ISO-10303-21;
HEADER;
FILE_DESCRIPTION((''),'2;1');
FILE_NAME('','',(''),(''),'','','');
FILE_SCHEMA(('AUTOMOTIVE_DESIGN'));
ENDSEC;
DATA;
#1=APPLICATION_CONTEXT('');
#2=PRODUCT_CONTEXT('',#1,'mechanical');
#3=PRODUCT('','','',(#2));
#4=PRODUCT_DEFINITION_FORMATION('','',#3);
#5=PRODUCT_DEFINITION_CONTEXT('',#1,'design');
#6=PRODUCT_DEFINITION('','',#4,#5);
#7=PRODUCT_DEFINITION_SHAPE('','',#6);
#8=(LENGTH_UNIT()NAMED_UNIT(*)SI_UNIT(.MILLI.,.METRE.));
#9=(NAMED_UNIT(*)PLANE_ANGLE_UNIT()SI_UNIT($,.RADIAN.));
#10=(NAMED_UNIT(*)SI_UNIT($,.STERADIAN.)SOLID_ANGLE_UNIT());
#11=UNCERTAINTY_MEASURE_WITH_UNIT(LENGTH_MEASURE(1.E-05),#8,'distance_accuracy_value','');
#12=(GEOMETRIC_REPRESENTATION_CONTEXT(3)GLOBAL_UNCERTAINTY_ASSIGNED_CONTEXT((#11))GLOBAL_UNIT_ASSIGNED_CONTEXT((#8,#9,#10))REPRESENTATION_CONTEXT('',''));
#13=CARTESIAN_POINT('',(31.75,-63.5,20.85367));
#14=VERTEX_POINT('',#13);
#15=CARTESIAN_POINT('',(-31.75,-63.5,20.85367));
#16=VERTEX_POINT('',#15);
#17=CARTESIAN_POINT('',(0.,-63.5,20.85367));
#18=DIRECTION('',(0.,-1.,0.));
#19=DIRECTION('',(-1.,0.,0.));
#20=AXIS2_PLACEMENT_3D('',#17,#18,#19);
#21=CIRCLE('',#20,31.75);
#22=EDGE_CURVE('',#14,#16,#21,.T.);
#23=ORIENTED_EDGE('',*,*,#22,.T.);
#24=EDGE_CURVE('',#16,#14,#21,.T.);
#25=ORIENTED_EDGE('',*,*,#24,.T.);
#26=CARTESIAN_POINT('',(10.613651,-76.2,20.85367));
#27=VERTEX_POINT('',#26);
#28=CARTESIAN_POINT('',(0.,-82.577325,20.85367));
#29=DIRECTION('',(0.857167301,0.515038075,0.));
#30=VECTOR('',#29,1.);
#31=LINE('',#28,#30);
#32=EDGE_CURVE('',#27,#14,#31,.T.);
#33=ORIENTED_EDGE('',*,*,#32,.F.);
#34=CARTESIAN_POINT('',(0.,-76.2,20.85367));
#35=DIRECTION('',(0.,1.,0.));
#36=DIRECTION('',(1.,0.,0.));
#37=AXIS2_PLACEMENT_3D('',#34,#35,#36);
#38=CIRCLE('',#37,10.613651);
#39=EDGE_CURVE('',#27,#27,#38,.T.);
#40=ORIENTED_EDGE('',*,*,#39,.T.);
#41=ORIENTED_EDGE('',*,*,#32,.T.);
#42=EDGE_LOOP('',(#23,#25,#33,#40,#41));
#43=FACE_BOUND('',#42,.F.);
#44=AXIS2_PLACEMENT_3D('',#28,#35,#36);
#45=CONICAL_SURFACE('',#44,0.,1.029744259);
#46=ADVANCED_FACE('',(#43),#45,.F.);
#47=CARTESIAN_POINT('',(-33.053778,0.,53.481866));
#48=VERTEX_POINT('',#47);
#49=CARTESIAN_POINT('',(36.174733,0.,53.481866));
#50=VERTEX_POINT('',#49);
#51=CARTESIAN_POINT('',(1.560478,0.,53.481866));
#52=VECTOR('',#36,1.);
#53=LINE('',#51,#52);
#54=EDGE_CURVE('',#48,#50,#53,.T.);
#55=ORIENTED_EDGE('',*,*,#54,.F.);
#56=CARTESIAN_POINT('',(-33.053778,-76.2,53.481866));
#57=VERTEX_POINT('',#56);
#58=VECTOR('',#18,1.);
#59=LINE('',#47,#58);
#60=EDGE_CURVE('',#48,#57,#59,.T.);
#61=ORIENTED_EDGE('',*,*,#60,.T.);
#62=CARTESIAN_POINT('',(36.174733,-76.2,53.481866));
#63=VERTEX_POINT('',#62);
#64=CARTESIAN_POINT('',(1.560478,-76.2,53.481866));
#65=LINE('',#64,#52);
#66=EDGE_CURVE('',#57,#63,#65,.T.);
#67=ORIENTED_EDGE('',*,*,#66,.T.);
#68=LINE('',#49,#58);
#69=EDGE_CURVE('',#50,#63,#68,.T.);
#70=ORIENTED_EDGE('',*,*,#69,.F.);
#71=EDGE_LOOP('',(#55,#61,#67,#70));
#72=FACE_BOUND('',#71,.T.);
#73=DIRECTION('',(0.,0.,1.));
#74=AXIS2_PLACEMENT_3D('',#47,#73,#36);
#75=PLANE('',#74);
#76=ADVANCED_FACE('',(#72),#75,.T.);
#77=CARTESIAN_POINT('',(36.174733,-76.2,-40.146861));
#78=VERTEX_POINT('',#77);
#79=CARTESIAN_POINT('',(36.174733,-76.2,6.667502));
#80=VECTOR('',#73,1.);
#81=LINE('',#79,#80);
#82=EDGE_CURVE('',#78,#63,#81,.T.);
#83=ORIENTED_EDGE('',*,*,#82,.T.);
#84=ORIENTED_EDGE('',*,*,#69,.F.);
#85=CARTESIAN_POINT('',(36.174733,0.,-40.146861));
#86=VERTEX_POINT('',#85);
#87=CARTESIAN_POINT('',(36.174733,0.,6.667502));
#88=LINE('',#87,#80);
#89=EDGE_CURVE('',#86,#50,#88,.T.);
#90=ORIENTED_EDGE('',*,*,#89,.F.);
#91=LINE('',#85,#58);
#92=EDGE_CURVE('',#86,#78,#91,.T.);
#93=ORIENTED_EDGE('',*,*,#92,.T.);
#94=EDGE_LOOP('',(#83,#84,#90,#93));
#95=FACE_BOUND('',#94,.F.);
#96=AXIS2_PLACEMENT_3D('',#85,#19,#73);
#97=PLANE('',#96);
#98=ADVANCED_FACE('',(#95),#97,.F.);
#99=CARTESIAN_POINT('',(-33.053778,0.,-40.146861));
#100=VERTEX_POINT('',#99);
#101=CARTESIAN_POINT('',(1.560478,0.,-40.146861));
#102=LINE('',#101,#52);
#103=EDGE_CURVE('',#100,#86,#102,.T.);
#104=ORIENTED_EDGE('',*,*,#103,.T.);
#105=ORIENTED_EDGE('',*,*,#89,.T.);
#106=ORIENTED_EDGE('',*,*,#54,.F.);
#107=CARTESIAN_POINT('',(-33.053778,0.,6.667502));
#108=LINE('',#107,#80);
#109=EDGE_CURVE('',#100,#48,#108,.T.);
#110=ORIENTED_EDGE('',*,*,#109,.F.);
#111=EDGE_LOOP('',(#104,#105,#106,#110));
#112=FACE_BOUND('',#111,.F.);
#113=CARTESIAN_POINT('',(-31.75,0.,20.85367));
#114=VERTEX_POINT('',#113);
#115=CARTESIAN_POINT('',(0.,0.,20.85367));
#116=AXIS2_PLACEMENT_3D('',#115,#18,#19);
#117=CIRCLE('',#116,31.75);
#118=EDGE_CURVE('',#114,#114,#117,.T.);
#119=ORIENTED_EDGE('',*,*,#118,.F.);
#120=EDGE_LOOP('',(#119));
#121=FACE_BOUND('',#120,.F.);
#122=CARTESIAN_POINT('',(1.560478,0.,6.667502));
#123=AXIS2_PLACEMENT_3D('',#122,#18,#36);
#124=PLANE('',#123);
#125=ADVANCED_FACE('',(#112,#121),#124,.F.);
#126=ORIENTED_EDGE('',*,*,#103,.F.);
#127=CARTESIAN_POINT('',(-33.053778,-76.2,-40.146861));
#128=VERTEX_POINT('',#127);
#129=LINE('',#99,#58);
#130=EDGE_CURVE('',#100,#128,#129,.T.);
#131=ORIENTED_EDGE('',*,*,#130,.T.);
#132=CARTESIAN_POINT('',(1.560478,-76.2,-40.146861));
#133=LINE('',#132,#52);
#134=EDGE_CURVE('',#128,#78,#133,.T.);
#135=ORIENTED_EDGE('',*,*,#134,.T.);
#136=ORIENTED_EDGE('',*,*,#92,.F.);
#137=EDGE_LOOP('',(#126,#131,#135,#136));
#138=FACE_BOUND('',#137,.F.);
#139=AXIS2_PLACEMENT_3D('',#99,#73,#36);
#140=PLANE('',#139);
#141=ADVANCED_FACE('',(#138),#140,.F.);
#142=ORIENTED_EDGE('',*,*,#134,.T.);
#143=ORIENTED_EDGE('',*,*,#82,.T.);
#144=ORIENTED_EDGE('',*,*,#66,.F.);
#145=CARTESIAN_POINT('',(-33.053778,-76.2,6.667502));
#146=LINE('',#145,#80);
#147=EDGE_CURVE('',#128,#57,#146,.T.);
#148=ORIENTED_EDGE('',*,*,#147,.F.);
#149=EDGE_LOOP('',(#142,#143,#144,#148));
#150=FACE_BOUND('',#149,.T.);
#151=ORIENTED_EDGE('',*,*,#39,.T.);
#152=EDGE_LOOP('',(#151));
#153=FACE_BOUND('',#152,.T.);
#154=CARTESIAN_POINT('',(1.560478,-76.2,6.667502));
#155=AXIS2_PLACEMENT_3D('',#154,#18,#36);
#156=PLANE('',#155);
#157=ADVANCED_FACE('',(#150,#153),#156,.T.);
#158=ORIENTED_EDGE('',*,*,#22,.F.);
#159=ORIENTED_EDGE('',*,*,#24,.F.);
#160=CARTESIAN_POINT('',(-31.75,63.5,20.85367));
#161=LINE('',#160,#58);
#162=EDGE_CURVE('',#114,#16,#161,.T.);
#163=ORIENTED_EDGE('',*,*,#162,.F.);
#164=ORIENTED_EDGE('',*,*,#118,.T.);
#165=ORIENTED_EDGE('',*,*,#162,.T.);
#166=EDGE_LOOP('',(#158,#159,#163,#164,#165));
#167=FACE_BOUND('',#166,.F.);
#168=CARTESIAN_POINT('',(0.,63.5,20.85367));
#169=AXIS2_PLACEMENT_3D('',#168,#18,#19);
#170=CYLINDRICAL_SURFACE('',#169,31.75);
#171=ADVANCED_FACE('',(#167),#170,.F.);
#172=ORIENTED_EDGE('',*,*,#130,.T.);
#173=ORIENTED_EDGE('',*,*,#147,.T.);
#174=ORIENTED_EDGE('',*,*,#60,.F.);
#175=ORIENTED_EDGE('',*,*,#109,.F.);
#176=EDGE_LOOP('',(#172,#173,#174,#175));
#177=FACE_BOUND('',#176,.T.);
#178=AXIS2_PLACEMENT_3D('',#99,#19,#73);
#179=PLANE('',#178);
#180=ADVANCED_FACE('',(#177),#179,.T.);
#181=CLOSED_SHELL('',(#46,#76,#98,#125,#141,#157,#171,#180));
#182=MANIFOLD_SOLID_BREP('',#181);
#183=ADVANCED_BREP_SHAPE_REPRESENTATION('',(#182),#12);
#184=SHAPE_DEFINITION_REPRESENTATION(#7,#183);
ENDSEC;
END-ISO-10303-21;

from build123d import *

# Parameters (mm, degrees)
F0_W     = 69.2285113037
F0_H     = 93.6287268996
F2_DEPTH = 76.2
F3_D     = 63.5
F3_DEPTH = 63.5
F3_TIP   = 19.0773246541


with BuildPart() as f2:
    # F0 (on Front) → F2 (new body)
    with BuildSketch(Plane.XZ):
        with Locations((1.5604775399, 6.6675022244)):
            Rectangle(F0_W, F0_H)
    extrude(amount=F2_DEPTH)

    # F3
    with Locations(Plane(origin=(0, 0, 0), x_dir=(1, 0, 0), z_dir=(0, 1, 0))):
        with Locations((0, -20.853670314)):
            Hole(F3_D / 2, depth=F3_DEPTH)
            with Locations((0, 0, -(F3_DEPTH + F3_TIP / 2))):  # 118° drill point
                Cone(0, F3_D / 2, F3_TIP, mode=Mode.SUBTRACT)


solid = f2.part
